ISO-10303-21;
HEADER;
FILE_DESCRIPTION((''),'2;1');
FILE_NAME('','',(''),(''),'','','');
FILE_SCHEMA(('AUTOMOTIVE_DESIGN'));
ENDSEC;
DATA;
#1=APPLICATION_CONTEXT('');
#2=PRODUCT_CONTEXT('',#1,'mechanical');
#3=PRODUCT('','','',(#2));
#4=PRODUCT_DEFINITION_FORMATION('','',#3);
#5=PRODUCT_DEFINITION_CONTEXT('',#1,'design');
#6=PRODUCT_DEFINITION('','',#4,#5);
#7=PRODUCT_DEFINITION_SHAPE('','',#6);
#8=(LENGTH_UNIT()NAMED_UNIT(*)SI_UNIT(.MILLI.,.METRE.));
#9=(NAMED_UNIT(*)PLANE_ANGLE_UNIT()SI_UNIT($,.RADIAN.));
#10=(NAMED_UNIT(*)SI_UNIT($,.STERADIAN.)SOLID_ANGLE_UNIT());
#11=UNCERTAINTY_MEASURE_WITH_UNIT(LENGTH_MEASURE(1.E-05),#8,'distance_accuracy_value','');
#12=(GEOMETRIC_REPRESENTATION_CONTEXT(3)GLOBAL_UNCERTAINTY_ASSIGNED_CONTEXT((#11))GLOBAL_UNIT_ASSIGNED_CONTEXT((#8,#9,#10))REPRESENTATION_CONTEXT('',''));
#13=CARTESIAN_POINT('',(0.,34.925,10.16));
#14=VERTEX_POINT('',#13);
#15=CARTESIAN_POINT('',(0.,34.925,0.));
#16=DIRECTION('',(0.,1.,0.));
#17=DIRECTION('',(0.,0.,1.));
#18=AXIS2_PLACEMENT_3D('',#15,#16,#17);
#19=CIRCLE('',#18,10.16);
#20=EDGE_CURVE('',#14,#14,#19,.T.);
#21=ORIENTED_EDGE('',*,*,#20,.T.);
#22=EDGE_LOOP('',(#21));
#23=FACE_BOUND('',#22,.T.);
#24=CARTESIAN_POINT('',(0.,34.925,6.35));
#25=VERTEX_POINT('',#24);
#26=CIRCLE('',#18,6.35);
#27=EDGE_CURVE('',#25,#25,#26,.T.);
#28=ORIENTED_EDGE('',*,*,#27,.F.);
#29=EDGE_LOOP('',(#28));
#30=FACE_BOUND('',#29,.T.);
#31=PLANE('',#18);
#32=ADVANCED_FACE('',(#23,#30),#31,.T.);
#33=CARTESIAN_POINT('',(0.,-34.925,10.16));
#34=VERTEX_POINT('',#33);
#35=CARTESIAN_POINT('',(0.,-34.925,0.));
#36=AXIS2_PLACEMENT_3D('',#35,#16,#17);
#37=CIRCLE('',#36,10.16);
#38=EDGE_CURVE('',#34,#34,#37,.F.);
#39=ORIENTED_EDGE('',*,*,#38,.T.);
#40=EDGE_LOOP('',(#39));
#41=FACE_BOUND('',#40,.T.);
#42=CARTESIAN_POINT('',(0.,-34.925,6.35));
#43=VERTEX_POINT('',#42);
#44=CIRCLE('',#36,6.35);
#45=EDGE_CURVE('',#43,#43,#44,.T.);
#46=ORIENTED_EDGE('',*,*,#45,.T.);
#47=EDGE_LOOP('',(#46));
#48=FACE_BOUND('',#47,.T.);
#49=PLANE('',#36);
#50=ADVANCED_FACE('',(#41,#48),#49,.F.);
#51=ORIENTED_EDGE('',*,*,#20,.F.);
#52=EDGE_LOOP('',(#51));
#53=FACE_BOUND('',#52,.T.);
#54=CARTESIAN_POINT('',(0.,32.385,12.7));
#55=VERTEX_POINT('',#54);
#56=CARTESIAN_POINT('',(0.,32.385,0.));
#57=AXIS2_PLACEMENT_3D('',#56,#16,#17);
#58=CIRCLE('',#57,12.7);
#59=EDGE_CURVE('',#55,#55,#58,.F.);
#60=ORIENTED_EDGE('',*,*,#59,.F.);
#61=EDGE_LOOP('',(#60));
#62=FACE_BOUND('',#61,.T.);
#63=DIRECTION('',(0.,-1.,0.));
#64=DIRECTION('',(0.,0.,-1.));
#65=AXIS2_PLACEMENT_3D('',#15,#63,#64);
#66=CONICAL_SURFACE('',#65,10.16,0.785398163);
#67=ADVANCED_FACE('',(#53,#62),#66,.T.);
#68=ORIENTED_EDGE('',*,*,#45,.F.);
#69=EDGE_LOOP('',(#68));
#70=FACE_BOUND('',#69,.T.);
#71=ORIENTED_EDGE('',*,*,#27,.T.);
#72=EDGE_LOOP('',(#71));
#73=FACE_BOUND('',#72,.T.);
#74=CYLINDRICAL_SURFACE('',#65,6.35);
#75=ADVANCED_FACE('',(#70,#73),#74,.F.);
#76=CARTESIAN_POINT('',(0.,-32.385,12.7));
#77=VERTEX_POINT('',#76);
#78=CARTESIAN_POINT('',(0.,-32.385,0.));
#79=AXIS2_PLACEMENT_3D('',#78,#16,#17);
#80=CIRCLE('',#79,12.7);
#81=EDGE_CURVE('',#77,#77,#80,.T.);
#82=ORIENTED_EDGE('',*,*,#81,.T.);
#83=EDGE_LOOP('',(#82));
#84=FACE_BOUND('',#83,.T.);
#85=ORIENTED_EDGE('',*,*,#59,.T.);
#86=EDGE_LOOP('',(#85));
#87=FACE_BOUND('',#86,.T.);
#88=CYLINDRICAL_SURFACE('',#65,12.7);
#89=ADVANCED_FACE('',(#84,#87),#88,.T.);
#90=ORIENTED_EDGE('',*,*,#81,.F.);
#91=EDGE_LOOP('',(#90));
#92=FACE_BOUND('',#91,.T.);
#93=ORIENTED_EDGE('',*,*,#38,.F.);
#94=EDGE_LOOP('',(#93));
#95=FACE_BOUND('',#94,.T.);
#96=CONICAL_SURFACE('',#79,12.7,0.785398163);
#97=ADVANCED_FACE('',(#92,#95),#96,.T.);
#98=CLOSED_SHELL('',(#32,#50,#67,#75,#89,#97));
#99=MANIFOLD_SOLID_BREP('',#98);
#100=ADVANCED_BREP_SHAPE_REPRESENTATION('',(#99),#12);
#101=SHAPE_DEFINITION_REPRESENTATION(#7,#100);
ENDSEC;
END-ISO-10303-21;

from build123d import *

# Parameters (mm, degrees)
SKETCH1_R           = 12.7
SKETCH1_R_2         = 6.35
BOSS_EXTRUDE1_DEPTH = 34.925
CHAMFER1_SIZE       = 2.54


with BuildPart() as part:
    # Sketch1 → Boss-Extrude1 (new body, symmetric)
    with BuildSketch(Plane(origin=(0, 0, 0), x_dir=(1, 0, 0), z_dir=(0, 1, 0))):
        Circle(SKETCH1_R)
        Circle(SKETCH1_R_2, mode=Mode.SUBTRACT)
    extrude(amount=BOSS_EXTRUDE1_DEPTH, both=True)

    # Chamfer1
    chamfer1_edges = [part.edges().sort_by_distance(p)[0] for p in [
        (-12.7, -34.925, 0),
        (-12.7, 34.925, 0),
    ]]
    chamfer(chamfer1_edges, length=CHAMFER1_SIZE)


solid = part.part
